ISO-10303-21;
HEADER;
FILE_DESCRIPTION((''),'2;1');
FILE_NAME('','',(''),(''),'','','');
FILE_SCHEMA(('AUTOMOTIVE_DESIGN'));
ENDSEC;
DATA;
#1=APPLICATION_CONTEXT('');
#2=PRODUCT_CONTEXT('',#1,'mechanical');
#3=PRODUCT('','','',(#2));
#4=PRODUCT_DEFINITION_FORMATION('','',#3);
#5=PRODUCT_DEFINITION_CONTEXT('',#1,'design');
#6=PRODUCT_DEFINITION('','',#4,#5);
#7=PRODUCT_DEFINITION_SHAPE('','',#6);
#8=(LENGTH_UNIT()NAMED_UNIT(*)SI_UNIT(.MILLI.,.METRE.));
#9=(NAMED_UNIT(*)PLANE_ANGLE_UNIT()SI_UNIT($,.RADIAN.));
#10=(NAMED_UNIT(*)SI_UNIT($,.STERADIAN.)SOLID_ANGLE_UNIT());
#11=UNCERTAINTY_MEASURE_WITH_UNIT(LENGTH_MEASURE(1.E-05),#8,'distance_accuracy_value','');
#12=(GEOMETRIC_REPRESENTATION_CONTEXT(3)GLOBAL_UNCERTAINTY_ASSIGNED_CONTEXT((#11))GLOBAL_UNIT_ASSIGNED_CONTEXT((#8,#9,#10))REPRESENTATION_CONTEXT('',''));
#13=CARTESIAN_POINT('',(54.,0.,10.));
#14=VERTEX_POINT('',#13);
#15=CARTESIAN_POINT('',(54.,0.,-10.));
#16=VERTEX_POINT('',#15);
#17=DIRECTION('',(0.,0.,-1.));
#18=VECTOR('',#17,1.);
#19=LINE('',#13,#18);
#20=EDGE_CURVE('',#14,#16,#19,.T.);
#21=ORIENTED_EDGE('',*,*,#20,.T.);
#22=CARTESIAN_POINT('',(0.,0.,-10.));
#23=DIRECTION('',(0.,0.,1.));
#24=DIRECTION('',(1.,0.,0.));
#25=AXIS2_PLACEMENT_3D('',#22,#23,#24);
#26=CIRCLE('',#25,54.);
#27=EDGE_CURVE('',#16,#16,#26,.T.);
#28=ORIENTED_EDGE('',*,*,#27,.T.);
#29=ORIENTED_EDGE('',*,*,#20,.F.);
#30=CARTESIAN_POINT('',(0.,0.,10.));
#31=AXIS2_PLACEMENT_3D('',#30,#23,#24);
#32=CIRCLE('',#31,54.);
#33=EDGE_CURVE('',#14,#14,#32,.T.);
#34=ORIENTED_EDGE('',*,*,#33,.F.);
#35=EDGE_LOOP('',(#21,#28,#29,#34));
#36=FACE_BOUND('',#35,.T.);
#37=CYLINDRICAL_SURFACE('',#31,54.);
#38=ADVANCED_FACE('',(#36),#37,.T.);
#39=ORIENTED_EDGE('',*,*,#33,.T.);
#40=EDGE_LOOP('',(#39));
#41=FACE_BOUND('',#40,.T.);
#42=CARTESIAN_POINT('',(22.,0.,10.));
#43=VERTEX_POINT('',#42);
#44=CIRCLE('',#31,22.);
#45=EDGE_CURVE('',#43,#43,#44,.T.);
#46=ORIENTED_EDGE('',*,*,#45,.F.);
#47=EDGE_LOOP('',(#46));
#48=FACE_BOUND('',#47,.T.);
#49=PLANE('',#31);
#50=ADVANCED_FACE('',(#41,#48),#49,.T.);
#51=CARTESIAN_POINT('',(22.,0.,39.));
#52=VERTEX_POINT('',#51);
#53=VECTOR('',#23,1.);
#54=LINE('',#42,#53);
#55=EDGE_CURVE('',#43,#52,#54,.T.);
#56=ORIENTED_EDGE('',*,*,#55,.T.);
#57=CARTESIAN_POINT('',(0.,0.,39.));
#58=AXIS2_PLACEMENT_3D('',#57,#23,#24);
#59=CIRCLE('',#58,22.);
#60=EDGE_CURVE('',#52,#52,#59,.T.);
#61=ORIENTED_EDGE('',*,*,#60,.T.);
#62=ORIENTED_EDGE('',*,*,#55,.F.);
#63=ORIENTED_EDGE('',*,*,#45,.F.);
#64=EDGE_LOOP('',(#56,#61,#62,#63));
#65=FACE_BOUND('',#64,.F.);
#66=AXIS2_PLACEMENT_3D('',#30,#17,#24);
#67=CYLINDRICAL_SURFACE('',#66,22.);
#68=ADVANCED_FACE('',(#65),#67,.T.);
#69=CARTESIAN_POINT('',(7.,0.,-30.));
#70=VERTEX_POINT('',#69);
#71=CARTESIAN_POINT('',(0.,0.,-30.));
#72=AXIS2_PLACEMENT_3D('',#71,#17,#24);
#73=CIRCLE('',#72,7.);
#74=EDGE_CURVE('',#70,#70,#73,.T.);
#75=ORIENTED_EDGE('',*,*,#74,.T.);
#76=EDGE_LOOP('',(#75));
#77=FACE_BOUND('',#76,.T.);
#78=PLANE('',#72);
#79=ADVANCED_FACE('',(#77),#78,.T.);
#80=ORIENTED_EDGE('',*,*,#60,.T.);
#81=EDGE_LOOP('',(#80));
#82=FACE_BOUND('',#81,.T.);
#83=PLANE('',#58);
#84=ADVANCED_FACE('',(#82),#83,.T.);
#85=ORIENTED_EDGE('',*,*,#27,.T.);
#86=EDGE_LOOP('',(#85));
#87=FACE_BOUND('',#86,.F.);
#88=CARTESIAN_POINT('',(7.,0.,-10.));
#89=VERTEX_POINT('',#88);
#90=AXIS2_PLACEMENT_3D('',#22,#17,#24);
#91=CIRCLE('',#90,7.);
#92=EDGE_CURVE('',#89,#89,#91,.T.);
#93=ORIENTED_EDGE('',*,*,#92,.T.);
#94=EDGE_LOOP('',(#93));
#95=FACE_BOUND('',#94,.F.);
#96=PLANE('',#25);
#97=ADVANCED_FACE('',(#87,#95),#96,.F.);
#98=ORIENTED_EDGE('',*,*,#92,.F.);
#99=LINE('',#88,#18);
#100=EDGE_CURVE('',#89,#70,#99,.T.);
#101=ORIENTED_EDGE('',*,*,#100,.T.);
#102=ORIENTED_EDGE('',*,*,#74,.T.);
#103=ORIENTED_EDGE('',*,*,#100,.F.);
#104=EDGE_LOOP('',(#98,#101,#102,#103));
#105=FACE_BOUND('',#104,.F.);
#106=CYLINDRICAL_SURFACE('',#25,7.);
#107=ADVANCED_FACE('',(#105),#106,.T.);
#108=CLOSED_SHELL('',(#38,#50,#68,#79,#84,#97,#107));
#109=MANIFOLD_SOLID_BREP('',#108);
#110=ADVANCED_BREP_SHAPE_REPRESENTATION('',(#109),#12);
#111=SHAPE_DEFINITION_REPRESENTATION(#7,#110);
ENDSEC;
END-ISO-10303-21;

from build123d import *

# Parameters (mm, degrees)
SKETCH006_R      = 54
EXTRUDE006_DEPTH = 20
SKETCH007_R      = 22
EXTRUDE007_DEPTH = 29
SKETCH008_R      = 7
EXTRUDE008_DEPTH = 20


with BuildPart() as gearholder:
    # Sketch006 (on Face123 of Fusion001) → Extrude006 (new body)
    with BuildSketch(Plane.XY.offset(10)):
        Circle(SKETCH006_R)
    extrude(amount=-EXTRUDE006_DEPTH)


with BuildPart() as motorshaftholder:
    # Sketch007 (on Face3 of Extrude006) → Extrude007 (new body)
    with BuildSketch(Plane.XY.offset(10)):
        Circle(SKETCH007_R)
    extrude(amount=EXTRUDE007_DEPTH)


with BuildPart() as holdercombo:
    # Sketch008 (on Face2 of Extrude006) → Extrude008 (new body)
    with BuildSketch(Plane(origin=(0, 0, -10), x_dir=(1, 0, 0), z_dir=(0, 0, -1))):
        Circle(SKETCH008_R)
    extrude(amount=EXTRUDE008_DEPTH)

    # Fusion006: union gearHolder, motorShaftHolder
    add(gearholder.part)
    add(motorshaftholder.part)


solid = holdercombo.part
